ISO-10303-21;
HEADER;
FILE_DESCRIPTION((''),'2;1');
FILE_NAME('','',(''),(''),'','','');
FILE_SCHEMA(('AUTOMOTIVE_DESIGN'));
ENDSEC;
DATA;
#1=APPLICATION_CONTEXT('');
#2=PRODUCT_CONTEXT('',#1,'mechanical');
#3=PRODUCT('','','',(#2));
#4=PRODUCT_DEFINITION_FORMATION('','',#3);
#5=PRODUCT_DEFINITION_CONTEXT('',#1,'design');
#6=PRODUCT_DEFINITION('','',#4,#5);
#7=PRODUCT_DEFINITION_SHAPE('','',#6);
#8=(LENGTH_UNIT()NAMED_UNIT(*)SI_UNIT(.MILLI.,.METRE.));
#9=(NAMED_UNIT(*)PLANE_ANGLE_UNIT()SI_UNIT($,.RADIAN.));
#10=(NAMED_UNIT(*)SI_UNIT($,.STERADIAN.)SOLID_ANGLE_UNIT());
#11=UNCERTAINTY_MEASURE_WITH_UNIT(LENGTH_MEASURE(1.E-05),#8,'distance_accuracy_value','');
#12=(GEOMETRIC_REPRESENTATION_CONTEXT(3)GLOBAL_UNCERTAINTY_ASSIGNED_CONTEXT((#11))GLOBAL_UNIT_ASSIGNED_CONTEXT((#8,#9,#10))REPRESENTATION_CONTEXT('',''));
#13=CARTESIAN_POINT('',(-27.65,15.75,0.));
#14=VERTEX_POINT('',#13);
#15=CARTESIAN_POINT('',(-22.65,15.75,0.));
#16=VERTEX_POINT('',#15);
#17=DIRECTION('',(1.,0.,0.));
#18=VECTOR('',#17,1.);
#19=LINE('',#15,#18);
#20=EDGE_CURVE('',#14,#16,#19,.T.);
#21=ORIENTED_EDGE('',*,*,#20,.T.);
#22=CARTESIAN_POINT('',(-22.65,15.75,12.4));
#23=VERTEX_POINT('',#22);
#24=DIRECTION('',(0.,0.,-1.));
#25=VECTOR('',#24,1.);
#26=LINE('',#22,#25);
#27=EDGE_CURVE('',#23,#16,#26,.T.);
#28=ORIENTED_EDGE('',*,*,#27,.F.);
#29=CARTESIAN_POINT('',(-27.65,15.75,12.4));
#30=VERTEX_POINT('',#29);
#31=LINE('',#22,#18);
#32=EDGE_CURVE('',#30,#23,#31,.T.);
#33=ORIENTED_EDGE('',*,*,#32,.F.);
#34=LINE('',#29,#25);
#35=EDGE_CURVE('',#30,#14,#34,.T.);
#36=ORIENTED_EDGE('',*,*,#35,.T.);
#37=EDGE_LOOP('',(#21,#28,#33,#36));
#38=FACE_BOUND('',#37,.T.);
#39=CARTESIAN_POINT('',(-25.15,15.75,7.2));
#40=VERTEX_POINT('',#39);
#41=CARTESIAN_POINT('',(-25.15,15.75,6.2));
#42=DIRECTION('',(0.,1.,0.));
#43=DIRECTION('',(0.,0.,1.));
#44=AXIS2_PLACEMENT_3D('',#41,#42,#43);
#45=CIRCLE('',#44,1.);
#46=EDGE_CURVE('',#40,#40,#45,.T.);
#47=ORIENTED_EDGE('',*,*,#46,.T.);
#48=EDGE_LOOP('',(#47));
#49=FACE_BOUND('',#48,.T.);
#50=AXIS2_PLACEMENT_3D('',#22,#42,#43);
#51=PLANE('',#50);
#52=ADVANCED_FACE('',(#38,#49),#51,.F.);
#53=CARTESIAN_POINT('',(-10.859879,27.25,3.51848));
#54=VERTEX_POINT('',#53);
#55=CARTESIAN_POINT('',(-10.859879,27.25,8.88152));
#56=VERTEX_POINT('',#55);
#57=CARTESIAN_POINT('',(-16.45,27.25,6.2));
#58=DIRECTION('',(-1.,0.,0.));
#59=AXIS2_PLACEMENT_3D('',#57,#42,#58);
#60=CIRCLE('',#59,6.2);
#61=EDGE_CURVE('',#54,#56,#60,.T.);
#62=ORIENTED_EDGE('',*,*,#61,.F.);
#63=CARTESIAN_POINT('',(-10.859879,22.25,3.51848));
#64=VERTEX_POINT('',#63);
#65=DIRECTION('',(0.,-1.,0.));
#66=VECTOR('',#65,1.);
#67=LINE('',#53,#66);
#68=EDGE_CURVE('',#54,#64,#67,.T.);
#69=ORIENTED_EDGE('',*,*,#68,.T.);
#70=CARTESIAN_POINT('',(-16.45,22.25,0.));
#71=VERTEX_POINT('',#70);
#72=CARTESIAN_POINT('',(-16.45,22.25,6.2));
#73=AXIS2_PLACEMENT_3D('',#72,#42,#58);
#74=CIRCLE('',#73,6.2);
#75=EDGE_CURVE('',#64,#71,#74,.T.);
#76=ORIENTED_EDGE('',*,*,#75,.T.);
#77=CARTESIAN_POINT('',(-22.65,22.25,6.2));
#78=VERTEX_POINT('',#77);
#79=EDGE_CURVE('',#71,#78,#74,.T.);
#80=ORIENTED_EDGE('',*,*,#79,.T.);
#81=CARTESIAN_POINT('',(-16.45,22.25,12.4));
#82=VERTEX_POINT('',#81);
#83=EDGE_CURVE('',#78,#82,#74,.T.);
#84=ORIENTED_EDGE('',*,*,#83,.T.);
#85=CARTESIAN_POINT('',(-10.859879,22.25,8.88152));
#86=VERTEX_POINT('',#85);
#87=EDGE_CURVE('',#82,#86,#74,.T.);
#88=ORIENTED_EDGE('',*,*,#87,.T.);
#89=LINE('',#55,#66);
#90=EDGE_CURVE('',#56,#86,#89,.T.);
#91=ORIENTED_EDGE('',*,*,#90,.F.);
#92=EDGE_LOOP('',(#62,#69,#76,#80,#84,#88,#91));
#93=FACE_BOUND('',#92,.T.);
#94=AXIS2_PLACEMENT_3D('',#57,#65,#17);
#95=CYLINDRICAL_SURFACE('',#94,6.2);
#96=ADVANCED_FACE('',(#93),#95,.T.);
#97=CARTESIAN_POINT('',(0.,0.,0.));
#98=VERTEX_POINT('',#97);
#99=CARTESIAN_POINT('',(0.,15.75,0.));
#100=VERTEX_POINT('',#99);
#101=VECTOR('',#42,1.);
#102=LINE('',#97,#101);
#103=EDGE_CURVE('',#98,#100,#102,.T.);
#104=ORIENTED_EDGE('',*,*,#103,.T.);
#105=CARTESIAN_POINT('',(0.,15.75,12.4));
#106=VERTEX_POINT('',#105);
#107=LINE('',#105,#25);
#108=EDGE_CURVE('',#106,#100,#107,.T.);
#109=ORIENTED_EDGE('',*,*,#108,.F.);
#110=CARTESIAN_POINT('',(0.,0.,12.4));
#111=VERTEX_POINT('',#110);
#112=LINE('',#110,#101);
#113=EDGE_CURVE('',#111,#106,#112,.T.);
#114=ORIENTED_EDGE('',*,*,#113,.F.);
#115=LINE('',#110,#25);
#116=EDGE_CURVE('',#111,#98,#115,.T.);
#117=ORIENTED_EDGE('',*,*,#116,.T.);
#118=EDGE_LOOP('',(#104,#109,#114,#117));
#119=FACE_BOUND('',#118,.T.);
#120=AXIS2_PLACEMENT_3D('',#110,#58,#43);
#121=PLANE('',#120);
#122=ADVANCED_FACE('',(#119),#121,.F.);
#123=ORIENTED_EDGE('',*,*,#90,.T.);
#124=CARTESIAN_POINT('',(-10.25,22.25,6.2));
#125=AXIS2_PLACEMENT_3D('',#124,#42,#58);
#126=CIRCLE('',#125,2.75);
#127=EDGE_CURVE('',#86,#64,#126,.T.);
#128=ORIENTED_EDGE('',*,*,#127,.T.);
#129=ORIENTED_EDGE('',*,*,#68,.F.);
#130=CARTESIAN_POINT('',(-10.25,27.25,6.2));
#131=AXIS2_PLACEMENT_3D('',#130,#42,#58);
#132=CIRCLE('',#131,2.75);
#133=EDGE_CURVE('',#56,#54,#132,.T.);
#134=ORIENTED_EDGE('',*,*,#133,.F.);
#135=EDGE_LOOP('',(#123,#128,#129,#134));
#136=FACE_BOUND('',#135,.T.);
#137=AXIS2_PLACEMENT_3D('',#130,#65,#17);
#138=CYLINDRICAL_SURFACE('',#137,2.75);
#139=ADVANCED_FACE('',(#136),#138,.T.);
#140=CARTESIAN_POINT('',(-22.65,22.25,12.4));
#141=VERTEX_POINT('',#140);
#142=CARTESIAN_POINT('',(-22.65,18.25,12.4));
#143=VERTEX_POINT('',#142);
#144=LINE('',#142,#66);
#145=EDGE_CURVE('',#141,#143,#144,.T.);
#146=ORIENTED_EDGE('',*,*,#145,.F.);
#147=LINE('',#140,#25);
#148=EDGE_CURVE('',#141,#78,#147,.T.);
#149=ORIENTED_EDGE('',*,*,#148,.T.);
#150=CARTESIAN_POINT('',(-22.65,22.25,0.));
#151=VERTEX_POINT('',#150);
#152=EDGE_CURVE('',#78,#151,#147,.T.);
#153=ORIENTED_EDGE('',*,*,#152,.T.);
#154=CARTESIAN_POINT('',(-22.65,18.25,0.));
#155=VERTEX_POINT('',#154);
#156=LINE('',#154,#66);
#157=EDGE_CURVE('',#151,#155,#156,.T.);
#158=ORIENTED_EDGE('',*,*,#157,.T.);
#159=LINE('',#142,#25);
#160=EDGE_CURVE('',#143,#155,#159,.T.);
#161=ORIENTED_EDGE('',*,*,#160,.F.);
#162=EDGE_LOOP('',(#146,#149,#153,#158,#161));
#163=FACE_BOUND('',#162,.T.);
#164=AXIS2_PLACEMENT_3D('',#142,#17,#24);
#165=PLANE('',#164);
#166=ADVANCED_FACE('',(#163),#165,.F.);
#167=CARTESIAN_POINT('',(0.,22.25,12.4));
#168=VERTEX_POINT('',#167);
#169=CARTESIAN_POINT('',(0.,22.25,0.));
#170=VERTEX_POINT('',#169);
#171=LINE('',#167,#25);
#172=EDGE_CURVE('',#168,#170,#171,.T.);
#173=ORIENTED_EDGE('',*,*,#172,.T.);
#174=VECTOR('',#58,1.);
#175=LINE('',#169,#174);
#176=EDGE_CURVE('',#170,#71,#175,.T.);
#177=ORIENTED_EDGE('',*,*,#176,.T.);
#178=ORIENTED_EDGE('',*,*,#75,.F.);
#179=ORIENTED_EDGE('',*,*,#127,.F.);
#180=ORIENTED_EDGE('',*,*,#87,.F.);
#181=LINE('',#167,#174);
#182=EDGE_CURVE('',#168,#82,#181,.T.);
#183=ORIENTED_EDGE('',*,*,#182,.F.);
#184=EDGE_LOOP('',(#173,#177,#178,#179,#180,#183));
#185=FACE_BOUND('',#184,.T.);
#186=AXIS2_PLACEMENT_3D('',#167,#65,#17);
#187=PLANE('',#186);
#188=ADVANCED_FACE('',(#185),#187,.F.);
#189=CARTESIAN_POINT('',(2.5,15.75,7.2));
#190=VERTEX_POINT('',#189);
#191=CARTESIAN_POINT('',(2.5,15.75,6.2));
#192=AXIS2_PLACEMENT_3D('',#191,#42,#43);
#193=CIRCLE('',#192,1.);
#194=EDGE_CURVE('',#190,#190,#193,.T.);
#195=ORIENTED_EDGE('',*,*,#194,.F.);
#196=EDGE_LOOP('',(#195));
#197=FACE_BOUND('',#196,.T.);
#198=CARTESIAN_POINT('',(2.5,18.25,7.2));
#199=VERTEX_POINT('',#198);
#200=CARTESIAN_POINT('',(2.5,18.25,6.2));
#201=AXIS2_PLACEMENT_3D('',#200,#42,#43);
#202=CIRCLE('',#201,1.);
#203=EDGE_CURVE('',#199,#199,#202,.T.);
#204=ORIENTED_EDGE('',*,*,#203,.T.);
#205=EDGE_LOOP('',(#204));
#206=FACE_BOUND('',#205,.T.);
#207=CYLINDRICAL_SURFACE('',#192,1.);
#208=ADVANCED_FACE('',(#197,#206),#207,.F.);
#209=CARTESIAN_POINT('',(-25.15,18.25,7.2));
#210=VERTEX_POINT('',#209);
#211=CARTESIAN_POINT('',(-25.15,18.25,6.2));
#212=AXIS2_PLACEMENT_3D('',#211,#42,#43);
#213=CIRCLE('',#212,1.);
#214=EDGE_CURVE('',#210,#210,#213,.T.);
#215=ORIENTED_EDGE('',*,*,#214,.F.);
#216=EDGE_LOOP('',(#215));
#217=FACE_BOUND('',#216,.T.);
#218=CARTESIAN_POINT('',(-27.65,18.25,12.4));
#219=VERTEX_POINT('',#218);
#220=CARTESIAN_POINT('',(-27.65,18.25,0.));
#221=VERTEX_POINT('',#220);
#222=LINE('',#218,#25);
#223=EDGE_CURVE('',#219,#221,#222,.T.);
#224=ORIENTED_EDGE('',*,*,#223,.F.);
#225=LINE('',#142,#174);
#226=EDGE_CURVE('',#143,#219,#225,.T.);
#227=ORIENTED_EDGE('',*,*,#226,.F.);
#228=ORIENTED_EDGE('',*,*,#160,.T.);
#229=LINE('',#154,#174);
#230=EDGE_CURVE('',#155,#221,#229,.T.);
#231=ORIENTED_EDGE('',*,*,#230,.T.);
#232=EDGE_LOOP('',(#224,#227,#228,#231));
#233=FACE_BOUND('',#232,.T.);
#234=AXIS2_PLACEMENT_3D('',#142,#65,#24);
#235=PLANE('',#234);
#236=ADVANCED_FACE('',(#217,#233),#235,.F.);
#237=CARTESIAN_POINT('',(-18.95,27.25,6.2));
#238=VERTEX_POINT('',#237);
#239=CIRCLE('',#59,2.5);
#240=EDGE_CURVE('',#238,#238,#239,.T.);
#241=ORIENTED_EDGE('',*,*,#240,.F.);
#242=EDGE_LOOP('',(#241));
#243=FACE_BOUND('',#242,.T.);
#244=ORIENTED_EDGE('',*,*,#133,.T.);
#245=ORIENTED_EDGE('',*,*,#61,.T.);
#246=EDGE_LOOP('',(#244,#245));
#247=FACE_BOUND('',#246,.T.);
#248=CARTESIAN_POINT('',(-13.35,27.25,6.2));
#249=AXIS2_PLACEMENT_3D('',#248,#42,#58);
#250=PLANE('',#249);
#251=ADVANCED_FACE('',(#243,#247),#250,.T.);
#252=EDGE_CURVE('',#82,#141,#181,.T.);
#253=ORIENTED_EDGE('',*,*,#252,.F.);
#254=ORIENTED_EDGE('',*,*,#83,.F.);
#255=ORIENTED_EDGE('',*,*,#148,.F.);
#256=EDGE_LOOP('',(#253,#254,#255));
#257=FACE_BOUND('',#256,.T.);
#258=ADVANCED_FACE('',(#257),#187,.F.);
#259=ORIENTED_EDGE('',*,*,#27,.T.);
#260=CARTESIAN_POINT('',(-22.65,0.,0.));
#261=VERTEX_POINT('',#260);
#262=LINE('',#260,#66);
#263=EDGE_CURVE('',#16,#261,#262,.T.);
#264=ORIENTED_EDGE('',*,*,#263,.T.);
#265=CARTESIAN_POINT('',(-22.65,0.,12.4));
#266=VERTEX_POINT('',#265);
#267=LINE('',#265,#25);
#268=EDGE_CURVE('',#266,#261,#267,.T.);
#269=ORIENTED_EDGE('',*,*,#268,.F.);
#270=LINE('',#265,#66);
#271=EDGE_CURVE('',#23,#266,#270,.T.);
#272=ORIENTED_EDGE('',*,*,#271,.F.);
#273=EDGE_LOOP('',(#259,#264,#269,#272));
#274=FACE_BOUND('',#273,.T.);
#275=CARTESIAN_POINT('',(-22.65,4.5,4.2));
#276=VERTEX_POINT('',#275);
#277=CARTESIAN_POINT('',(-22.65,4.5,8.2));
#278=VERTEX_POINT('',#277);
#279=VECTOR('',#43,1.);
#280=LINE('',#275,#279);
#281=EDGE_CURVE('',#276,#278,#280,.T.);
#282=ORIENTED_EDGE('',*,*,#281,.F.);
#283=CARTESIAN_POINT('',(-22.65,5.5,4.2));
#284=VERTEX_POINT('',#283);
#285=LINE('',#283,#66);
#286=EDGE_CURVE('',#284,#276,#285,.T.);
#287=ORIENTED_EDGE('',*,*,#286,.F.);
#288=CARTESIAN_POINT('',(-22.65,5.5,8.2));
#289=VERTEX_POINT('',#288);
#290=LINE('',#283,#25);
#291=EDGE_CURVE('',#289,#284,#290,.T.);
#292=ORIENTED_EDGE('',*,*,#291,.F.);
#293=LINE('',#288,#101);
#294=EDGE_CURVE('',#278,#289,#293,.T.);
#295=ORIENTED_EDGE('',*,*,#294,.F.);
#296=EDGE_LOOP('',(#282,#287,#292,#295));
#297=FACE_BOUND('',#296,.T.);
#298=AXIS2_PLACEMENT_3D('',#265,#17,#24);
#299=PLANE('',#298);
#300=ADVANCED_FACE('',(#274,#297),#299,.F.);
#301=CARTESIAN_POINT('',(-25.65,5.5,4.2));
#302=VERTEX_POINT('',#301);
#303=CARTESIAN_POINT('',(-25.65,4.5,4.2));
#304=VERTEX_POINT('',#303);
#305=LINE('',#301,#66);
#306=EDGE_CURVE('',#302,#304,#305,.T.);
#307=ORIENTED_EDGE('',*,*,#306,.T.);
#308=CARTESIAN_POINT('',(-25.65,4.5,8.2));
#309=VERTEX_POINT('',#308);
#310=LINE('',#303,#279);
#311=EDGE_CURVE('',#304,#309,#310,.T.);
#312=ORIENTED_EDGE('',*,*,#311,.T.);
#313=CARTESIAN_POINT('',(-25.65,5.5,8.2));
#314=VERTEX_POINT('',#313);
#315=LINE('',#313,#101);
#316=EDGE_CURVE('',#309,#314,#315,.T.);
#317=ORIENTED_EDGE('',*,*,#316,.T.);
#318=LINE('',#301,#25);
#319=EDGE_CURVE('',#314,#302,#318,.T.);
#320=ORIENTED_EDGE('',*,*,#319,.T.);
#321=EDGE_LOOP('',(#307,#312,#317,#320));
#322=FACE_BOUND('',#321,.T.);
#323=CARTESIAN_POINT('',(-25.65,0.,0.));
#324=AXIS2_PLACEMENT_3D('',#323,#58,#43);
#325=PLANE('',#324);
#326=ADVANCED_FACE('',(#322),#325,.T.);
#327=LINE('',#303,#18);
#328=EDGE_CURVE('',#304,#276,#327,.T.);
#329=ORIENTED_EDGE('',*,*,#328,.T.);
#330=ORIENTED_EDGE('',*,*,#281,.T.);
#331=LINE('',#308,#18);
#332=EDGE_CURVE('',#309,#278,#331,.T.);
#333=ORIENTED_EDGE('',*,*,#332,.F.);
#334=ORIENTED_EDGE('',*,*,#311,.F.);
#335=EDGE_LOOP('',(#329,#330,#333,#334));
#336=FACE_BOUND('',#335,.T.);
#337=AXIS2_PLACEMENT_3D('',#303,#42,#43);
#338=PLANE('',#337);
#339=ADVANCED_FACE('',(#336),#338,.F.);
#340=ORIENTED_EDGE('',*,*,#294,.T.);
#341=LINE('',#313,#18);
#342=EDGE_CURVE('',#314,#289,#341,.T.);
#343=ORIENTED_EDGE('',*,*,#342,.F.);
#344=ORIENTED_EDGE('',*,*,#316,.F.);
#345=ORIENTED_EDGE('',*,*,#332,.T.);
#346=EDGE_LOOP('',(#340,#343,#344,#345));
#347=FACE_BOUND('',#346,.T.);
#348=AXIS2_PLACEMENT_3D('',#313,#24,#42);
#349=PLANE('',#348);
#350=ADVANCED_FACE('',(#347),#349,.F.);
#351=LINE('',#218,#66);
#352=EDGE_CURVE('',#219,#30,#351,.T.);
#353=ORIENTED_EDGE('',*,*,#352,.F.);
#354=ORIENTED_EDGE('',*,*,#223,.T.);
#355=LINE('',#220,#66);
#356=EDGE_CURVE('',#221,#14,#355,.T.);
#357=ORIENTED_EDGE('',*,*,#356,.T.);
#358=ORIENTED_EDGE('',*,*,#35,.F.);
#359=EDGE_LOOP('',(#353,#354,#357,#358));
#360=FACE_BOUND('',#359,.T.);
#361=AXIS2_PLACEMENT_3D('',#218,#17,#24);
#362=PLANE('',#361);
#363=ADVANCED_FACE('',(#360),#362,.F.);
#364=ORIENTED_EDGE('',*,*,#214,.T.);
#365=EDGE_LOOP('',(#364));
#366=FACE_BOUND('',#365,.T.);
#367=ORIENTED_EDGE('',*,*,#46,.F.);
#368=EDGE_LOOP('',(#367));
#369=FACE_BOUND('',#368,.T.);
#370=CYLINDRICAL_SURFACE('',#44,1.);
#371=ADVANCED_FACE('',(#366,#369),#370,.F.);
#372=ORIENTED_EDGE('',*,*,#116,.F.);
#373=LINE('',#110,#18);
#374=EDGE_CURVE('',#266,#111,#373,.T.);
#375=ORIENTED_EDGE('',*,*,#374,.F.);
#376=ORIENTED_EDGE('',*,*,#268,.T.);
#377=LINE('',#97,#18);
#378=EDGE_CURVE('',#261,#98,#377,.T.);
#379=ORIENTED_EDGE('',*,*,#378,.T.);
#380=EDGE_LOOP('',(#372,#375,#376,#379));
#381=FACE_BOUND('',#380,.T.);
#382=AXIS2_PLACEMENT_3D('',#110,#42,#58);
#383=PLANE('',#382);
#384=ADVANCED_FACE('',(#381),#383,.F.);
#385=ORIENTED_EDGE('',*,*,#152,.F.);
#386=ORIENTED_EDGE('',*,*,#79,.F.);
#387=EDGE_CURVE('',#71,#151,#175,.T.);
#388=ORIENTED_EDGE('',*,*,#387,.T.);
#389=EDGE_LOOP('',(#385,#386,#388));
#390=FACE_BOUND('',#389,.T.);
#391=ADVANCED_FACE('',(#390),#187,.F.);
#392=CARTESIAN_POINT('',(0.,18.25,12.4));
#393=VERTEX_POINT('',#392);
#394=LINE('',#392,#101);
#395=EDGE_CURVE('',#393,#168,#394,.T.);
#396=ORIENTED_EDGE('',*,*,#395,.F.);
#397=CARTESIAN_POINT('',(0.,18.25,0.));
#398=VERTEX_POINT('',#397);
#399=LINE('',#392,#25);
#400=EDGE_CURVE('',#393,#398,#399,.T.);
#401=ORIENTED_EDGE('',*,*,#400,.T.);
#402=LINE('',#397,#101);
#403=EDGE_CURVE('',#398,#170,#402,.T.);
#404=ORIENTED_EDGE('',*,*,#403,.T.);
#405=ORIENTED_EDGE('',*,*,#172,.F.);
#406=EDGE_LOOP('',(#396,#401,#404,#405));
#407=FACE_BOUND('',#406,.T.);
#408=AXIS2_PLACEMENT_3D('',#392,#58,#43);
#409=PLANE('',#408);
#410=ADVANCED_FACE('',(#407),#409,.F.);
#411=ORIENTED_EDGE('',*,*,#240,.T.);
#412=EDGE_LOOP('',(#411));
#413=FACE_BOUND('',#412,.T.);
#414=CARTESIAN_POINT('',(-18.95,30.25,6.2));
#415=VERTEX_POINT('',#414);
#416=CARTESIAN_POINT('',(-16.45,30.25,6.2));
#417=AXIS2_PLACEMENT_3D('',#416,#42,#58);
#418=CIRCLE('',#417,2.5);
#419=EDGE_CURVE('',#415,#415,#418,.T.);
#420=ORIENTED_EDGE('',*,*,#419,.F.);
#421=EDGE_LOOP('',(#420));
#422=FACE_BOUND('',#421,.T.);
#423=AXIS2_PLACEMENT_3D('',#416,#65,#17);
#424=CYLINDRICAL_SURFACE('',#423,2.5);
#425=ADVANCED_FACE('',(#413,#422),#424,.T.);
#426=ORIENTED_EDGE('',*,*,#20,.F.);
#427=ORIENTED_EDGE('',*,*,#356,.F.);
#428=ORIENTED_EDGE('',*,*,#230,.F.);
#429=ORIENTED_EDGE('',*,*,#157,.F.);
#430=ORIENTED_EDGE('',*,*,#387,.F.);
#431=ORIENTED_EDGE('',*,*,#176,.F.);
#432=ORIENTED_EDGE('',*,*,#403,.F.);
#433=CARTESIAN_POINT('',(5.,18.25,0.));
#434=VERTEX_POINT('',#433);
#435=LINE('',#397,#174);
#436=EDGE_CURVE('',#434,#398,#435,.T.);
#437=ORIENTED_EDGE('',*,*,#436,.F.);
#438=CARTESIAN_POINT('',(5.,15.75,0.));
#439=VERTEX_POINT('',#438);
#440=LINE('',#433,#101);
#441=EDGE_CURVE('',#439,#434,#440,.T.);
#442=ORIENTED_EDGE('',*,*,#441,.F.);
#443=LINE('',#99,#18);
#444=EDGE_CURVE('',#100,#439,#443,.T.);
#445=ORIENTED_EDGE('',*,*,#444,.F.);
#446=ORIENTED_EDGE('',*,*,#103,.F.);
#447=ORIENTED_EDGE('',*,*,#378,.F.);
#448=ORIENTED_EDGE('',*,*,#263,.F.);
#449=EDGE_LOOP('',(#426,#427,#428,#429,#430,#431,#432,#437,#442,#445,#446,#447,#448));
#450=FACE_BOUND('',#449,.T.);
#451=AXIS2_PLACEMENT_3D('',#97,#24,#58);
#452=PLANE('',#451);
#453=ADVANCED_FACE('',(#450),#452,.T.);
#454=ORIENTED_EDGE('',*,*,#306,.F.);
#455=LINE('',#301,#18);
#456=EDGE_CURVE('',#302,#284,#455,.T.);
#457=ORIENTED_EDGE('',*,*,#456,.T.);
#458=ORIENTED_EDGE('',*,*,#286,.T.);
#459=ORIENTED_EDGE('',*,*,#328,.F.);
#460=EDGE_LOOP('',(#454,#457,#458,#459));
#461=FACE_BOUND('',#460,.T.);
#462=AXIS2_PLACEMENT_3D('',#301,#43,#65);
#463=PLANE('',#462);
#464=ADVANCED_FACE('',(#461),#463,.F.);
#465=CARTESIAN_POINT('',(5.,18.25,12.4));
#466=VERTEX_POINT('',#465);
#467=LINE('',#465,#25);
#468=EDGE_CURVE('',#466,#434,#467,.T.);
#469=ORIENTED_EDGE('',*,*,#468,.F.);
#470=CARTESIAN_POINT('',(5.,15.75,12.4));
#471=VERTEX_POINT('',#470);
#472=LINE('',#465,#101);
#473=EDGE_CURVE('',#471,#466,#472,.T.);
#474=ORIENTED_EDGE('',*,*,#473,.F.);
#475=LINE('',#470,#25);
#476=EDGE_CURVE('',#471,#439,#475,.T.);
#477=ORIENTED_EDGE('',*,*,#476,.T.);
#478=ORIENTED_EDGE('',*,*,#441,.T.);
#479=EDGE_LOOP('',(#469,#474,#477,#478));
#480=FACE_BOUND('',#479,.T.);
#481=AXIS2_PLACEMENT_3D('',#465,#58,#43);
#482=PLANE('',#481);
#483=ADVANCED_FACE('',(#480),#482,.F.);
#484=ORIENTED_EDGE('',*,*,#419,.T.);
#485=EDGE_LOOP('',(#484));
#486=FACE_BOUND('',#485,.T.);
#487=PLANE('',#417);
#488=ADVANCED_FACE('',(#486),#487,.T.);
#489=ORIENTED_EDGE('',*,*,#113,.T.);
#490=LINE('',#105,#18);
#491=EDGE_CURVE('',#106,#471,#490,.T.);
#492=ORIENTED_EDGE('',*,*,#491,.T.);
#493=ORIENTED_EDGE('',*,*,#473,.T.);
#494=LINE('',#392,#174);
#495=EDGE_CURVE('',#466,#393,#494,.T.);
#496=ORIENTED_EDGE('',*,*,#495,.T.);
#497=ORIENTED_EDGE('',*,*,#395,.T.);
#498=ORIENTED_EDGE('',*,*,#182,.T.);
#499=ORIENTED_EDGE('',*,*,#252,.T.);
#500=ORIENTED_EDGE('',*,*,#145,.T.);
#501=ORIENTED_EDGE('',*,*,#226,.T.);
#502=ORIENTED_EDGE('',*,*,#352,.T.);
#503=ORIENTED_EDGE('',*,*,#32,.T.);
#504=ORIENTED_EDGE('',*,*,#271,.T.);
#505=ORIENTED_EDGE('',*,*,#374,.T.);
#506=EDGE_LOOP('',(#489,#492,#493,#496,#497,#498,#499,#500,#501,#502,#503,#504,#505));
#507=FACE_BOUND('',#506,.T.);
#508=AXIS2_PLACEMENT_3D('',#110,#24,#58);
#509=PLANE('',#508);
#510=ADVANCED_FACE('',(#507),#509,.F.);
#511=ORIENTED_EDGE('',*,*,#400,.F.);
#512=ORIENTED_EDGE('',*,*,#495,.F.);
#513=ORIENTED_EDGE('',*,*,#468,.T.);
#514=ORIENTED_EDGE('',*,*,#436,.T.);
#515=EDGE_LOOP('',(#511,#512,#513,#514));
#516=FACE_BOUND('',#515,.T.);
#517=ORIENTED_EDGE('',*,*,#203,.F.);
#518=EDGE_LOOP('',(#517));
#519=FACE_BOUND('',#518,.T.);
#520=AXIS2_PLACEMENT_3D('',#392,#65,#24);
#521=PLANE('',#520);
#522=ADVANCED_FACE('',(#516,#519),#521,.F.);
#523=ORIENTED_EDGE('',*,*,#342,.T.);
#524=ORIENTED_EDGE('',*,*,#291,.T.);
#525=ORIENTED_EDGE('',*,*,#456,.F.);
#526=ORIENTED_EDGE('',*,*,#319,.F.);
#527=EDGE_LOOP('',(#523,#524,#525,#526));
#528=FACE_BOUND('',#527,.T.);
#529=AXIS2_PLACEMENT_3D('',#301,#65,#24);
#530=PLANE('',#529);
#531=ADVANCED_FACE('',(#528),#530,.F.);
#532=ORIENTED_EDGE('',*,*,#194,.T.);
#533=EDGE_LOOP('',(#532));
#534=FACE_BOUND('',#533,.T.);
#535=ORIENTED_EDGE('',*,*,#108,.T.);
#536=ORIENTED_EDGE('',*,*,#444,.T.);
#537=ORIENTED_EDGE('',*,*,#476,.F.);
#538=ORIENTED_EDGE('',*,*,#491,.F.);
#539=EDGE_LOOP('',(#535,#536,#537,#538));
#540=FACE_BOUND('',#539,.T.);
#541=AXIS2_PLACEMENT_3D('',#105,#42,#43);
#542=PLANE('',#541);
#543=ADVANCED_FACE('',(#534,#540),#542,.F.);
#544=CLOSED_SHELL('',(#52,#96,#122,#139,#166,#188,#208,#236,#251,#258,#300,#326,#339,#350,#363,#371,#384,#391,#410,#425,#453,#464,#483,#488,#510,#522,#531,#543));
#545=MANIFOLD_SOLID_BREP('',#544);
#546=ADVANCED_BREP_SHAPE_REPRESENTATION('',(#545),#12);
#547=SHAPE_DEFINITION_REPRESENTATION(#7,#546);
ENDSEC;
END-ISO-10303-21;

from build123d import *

# Parameters (mm, degrees)
SALIENTE_EXTRUIR1_DEPTH = 12.4
SALIENTE_EXTRUIR2_DEPTH = 5
CROQUIS3_R              = 2.5
SALIENTE_EXTRUIR3_DEPTH = 3
CROQUIS4_W              = 4
CROQUIS4_H              = 1
SALIENTE_EXTRUIR4_DEPTH = 3
CROQUIS5_R              = 1
CORTAR_EXTRUIR1_DEPTH   = 2.5


with BuildPart() as part:
    # Croquis1 → Saliente-Extruir1 (new body)
    with BuildSketch(Plane.XY):
        Polygon((-22.65, 18.25), (-22.65, 22.25), (0, 22.25), (0, 18.25), (5, 18.25), (5, 15.75), (0, 15.75), (0, 0), (-22.65, 0), (-22.65, 15.75), (-27.65, 15.75), (-27.65, 18.25), align=None)
    extrude(amount=SALIENTE_EXTRUIR1_DEPTH)

    # Croquis2 → Saliente-Extruir2 (add)
    with BuildSketch(Plane(origin=(0, 22.25, 0), x_dir=(1, 0, 0), z_dir=(0, 1, 0))):
        with BuildLine():
            ThreePointArc((-10.859879032, -3.518480363), (-22.65, -6.2), (-10.859879032, -8.881519637))
            ThreePointArc((-10.859879032, -8.881519637), (-7.5, -6.2), (-10.859879032, -3.518480363))
        make_face()
    extrude(amount=SALIENTE_EXTRUIR2_DEPTH)

    # Croquis3 → Saliente-Extruir3 (add)
    with BuildSketch(Plane(origin=(0, 27.25, 0), x_dir=(1, 0, 0), z_dir=(0, 1, 0))):
        with Locations(Location((-16.45, -6.2, 0), (0, 0, 180))):
            Circle(CROQUIS3_R)
    extrude(amount=SALIENTE_EXTRUIR3_DEPTH)

    # Croquis4 → Saliente-Extruir4 (add)
    with BuildSketch(Plane.ZY.offset(22.65)):
        with Locations((6.2, 5)):
            Rectangle(CROQUIS4_W, CROQUIS4_H)
    extrude(amount=SALIENTE_EXTRUIR4_DEPTH)

    # Croquis5 → Cortar-Extruir1 (cut)
    with BuildSketch(Plane(origin=(0, 18.25, 0), x_dir=(1, 0, 0), z_dir=(0, 1, 0))):
        with Locations(Location((2.5, -6.2, 0), (0, 0, 270))):
            Circle(CROQUIS5_R)
        with Locations(Location((-25.15, -6.2, 0), (0, 0, 270))):
            Circle(CROQUIS5_R)
    extrude(amount=-CORTAR_EXTRUIR1_DEPTH, mode=Mode.SUBTRACT)


solid = part.part
